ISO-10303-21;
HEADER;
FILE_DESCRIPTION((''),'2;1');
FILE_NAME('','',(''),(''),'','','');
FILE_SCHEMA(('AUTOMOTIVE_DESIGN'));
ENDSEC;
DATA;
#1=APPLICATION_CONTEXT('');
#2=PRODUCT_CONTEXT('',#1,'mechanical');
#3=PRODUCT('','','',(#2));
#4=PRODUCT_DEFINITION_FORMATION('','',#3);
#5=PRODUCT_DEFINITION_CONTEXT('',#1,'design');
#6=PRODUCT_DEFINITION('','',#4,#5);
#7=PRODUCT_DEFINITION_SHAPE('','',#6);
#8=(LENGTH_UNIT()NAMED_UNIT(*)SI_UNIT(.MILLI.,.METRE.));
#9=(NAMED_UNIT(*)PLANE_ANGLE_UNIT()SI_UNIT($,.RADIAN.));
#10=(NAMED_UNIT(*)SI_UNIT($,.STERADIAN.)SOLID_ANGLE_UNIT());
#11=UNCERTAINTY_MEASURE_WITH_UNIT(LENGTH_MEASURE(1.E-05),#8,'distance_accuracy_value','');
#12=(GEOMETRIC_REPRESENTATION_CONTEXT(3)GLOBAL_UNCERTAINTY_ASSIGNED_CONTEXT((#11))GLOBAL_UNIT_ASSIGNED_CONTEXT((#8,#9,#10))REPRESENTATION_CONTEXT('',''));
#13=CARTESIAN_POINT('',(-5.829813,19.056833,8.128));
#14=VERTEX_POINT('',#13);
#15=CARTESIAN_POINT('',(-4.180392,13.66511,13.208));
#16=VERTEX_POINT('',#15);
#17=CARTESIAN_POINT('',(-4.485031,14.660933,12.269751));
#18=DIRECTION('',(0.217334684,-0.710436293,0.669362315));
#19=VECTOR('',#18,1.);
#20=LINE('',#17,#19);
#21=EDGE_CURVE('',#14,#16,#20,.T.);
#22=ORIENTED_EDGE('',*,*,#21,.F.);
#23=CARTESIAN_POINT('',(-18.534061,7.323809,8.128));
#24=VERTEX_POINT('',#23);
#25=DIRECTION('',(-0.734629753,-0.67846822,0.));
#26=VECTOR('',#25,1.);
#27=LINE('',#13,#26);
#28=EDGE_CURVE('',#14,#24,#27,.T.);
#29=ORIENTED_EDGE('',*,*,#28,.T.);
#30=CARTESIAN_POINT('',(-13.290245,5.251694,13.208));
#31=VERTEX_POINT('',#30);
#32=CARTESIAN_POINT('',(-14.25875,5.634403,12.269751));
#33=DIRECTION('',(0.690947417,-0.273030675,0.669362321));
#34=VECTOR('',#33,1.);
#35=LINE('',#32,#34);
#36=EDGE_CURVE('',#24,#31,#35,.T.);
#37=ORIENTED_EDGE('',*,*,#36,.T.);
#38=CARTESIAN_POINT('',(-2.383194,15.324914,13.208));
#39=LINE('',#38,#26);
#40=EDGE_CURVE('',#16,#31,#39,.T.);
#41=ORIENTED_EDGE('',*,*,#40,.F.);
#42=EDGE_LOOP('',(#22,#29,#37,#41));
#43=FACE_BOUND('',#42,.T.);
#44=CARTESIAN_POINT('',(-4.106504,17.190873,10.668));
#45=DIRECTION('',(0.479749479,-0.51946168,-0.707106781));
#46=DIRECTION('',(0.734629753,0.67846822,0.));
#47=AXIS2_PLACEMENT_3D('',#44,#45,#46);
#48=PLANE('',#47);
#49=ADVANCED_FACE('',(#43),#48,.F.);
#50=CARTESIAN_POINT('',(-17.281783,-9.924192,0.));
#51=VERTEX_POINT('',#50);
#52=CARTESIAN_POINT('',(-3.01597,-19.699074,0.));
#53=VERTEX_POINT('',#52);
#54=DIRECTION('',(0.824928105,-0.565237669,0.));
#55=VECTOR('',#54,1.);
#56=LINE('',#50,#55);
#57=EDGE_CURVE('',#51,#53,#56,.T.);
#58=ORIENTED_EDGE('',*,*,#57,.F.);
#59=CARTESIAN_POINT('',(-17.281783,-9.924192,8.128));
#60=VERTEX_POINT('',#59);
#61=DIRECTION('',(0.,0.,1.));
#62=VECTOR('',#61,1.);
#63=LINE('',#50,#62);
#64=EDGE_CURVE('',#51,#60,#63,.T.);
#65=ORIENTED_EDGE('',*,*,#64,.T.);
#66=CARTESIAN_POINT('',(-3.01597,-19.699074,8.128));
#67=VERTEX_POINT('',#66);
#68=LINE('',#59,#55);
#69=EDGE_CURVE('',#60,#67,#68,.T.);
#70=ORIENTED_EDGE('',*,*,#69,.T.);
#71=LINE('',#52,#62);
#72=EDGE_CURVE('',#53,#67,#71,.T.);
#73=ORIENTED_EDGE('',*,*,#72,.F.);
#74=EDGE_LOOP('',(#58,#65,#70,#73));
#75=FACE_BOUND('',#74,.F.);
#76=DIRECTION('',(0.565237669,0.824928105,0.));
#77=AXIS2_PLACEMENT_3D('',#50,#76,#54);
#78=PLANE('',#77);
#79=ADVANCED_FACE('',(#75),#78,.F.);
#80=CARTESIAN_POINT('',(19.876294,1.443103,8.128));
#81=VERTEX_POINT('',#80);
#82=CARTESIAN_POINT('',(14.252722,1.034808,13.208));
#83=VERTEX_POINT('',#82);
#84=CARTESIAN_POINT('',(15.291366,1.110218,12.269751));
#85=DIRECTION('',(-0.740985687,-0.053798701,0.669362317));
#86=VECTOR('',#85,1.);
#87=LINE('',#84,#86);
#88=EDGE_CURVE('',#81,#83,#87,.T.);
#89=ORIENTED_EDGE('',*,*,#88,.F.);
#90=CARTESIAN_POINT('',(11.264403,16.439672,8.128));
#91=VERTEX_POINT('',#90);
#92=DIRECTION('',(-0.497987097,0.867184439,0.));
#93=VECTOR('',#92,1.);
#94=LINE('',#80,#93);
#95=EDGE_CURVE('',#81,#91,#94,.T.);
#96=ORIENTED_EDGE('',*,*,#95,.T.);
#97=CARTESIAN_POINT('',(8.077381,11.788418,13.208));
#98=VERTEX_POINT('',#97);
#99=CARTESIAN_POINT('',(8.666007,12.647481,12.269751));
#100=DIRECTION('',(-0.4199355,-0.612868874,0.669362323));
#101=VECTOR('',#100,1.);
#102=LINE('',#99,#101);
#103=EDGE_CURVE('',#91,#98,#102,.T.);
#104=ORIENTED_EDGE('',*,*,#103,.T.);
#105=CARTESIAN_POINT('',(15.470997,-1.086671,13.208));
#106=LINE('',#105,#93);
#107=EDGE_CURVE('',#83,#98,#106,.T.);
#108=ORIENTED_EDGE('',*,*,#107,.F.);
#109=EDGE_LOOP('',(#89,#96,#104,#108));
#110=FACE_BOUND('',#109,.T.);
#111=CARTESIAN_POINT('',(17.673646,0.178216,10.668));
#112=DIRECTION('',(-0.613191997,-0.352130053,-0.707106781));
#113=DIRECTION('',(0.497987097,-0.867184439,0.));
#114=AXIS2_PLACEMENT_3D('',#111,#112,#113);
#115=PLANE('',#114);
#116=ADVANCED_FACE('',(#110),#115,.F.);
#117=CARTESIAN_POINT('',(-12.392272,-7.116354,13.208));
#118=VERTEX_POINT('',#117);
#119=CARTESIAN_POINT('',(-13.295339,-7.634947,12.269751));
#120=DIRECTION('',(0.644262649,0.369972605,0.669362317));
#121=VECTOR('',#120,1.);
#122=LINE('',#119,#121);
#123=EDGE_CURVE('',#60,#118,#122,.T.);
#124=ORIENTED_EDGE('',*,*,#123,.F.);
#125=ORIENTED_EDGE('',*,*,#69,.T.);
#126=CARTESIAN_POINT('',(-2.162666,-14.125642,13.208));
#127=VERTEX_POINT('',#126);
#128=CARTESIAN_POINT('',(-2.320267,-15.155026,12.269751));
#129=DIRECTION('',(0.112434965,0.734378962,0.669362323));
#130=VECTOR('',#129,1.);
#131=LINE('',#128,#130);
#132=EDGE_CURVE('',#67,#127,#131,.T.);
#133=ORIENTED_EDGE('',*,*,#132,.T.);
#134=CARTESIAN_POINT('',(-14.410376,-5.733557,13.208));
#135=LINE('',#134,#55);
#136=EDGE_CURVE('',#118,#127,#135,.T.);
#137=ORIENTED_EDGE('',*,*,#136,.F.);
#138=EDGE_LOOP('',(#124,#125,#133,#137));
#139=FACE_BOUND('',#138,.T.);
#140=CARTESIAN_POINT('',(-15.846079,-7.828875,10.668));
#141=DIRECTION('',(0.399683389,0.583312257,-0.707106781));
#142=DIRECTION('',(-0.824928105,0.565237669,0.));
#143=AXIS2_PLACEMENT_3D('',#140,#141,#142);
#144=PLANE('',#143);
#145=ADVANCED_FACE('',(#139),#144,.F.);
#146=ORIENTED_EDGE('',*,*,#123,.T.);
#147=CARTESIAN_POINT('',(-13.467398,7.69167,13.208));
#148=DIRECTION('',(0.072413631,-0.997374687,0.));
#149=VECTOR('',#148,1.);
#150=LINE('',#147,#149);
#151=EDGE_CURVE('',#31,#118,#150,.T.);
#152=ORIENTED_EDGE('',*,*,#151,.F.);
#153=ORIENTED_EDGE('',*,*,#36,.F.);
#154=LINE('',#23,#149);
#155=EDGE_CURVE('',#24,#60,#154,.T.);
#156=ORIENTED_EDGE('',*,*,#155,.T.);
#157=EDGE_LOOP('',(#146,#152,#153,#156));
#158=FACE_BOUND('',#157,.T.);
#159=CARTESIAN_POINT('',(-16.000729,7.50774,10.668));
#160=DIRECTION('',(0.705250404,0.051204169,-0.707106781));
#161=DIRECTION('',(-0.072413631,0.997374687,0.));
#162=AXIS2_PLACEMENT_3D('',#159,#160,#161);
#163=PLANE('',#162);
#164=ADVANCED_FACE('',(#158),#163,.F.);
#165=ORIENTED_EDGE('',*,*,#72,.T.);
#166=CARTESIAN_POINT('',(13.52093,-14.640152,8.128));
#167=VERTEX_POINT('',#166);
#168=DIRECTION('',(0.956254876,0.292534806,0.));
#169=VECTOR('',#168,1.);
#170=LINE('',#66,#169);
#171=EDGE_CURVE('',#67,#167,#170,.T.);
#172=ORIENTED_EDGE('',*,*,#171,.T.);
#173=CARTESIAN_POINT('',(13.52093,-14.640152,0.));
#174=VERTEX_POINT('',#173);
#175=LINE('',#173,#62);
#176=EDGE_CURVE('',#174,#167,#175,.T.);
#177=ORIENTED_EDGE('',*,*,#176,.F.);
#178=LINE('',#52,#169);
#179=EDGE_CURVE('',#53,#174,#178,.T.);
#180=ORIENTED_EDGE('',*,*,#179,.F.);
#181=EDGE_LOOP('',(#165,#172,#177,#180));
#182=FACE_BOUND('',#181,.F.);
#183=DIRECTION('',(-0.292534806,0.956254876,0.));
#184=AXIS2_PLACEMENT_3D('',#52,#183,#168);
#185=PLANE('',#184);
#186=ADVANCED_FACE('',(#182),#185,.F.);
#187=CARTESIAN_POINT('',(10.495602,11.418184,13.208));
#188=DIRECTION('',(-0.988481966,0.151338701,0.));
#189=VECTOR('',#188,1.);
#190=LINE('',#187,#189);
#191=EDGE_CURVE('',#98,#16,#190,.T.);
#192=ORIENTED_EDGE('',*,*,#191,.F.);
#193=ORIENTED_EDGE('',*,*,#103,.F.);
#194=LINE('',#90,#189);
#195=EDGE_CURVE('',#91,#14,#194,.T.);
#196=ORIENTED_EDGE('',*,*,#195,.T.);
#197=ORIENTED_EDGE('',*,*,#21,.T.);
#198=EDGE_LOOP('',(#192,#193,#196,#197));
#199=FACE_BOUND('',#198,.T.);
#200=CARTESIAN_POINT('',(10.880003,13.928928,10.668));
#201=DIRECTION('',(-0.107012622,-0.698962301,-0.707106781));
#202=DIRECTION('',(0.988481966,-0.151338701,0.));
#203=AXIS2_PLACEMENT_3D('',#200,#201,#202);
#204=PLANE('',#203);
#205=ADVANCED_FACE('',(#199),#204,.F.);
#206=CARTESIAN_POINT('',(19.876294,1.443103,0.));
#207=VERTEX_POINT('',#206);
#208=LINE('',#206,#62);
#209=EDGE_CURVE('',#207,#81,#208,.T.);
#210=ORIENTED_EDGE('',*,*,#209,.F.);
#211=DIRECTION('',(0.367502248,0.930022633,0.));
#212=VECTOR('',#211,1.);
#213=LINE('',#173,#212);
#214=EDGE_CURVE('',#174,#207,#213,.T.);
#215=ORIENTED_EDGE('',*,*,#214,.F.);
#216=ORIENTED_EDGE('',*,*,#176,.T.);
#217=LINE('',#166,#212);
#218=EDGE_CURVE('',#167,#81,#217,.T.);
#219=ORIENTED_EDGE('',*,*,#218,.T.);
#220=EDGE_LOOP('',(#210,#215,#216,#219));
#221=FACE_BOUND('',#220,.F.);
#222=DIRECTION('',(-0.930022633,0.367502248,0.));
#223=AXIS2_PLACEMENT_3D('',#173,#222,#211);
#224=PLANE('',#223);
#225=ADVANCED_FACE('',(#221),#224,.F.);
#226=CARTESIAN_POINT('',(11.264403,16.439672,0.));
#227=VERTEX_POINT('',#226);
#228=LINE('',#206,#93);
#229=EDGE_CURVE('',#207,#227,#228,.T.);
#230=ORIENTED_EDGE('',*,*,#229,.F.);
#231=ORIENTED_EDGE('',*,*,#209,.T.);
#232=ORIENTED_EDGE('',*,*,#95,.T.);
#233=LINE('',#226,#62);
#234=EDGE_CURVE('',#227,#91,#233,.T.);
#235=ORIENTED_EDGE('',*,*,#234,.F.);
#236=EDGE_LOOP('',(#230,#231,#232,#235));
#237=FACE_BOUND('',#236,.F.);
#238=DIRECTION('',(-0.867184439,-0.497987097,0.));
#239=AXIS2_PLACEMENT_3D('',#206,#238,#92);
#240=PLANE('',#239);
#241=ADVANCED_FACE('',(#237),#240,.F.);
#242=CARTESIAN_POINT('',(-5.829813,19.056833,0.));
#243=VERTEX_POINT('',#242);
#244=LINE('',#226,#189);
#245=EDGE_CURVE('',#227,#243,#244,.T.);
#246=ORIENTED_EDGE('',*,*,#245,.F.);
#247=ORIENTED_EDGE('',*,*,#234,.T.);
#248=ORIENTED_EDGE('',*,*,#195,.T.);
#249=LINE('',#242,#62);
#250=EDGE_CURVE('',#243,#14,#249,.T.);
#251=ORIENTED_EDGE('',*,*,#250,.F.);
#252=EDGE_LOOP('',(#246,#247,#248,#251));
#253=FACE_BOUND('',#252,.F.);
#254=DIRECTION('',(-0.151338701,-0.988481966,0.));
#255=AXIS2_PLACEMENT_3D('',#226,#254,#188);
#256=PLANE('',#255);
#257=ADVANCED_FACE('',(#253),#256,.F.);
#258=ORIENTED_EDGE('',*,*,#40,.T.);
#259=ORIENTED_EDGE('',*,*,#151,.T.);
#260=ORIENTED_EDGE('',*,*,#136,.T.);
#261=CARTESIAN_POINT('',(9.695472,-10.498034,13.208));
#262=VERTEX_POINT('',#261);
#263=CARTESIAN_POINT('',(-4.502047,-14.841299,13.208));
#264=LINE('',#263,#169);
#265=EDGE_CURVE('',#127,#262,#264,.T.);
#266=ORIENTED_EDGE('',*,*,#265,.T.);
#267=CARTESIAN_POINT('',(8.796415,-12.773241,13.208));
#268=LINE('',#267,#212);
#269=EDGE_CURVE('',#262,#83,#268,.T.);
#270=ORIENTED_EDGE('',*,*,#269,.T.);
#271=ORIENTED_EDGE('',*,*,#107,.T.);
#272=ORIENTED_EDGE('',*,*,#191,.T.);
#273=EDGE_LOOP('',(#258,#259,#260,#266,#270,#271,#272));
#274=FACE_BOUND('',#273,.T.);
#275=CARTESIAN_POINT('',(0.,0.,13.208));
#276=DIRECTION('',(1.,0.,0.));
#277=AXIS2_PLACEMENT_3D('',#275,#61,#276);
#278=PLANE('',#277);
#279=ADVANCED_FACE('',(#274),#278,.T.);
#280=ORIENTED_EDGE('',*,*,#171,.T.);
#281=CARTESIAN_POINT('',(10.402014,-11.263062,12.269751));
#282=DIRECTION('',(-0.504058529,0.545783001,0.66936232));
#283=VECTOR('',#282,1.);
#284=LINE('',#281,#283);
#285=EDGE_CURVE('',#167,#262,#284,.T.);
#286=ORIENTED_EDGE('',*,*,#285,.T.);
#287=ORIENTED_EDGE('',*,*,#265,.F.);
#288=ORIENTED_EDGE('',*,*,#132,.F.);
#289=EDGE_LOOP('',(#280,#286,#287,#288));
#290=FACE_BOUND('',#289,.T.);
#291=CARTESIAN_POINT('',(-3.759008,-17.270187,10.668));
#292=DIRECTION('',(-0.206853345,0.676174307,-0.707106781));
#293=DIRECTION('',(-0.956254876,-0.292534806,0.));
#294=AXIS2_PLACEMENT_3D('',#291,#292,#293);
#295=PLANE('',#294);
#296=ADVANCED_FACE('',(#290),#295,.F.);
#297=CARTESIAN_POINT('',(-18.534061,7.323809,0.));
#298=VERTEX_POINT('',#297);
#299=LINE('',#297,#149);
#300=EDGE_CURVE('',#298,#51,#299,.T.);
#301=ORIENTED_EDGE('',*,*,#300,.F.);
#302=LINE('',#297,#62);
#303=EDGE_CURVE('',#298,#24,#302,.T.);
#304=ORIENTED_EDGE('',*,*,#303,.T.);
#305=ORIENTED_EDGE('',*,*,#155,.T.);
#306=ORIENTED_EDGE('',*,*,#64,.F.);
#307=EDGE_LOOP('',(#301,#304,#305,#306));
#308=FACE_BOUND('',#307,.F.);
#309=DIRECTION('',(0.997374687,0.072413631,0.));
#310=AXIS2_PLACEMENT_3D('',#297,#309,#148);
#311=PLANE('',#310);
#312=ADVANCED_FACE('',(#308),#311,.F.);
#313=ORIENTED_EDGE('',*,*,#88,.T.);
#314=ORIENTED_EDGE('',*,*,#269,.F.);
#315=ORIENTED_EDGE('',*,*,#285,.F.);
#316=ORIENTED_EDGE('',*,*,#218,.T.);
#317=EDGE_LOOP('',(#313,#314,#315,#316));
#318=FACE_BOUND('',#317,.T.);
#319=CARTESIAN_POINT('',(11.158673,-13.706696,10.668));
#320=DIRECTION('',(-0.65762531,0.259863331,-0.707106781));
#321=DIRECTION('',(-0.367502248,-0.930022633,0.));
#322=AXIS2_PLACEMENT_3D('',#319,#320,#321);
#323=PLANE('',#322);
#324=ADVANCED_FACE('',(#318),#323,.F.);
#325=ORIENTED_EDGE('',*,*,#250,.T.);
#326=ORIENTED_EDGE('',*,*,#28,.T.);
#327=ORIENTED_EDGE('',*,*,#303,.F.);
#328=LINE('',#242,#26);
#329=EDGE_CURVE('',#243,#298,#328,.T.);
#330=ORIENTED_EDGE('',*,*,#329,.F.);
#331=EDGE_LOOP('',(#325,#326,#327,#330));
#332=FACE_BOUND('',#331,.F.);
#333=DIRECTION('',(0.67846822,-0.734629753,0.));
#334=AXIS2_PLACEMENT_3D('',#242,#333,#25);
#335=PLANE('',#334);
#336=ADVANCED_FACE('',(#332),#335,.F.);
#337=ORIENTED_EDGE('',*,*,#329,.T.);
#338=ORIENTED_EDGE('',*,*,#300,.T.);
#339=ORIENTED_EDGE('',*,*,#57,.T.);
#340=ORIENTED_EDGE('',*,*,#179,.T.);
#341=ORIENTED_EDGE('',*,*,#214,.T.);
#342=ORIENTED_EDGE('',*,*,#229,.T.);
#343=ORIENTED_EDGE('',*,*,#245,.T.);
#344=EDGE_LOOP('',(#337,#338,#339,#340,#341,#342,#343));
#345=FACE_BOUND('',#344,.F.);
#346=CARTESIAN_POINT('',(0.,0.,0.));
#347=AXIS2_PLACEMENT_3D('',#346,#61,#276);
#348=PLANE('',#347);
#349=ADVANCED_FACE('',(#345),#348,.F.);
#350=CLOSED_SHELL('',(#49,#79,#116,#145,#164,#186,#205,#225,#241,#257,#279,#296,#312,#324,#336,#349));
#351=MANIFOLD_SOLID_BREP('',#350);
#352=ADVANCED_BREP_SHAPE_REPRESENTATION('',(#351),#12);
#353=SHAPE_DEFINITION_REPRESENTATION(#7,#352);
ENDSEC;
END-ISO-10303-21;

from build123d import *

# Parameters (mm, degrees)
F1_DEPTH = 13.208
F2_SIZE  = 5.08


with BuildPart() as f1:
    # F0 (on Top) → F1 (new body)
    with BuildSketch(Plane.XY):
        Polygon((19.876294, 1.443103), (11.264403, 16.439672), (-5.829813, 19.056833), (-18.534061, 7.323809), (-17.281783, -9.924192), (-3.01597, -19.699074), (13.52093, -14.640152), align=None)
    extrude(amount=F1_DEPTH)

    # F2
    f2_edges = [f1.edges().sort_by_distance(p)[0] for p in [
        (-17.907922, -1.300191, 13.208),
        (-10.148876, -14.811633, 13.208),
        (5.25248, -17.169613, 13.208),
        (16.698612, -6.598524, 13.208),
        (15.570348, 8.941388, 13.208),
        (2.717295, 17.748252, 13.208),
        (-12.181937, 13.190321, 13.208),
    ]]
    chamfer(f2_edges, length=F2_SIZE)


solid = f1.part
